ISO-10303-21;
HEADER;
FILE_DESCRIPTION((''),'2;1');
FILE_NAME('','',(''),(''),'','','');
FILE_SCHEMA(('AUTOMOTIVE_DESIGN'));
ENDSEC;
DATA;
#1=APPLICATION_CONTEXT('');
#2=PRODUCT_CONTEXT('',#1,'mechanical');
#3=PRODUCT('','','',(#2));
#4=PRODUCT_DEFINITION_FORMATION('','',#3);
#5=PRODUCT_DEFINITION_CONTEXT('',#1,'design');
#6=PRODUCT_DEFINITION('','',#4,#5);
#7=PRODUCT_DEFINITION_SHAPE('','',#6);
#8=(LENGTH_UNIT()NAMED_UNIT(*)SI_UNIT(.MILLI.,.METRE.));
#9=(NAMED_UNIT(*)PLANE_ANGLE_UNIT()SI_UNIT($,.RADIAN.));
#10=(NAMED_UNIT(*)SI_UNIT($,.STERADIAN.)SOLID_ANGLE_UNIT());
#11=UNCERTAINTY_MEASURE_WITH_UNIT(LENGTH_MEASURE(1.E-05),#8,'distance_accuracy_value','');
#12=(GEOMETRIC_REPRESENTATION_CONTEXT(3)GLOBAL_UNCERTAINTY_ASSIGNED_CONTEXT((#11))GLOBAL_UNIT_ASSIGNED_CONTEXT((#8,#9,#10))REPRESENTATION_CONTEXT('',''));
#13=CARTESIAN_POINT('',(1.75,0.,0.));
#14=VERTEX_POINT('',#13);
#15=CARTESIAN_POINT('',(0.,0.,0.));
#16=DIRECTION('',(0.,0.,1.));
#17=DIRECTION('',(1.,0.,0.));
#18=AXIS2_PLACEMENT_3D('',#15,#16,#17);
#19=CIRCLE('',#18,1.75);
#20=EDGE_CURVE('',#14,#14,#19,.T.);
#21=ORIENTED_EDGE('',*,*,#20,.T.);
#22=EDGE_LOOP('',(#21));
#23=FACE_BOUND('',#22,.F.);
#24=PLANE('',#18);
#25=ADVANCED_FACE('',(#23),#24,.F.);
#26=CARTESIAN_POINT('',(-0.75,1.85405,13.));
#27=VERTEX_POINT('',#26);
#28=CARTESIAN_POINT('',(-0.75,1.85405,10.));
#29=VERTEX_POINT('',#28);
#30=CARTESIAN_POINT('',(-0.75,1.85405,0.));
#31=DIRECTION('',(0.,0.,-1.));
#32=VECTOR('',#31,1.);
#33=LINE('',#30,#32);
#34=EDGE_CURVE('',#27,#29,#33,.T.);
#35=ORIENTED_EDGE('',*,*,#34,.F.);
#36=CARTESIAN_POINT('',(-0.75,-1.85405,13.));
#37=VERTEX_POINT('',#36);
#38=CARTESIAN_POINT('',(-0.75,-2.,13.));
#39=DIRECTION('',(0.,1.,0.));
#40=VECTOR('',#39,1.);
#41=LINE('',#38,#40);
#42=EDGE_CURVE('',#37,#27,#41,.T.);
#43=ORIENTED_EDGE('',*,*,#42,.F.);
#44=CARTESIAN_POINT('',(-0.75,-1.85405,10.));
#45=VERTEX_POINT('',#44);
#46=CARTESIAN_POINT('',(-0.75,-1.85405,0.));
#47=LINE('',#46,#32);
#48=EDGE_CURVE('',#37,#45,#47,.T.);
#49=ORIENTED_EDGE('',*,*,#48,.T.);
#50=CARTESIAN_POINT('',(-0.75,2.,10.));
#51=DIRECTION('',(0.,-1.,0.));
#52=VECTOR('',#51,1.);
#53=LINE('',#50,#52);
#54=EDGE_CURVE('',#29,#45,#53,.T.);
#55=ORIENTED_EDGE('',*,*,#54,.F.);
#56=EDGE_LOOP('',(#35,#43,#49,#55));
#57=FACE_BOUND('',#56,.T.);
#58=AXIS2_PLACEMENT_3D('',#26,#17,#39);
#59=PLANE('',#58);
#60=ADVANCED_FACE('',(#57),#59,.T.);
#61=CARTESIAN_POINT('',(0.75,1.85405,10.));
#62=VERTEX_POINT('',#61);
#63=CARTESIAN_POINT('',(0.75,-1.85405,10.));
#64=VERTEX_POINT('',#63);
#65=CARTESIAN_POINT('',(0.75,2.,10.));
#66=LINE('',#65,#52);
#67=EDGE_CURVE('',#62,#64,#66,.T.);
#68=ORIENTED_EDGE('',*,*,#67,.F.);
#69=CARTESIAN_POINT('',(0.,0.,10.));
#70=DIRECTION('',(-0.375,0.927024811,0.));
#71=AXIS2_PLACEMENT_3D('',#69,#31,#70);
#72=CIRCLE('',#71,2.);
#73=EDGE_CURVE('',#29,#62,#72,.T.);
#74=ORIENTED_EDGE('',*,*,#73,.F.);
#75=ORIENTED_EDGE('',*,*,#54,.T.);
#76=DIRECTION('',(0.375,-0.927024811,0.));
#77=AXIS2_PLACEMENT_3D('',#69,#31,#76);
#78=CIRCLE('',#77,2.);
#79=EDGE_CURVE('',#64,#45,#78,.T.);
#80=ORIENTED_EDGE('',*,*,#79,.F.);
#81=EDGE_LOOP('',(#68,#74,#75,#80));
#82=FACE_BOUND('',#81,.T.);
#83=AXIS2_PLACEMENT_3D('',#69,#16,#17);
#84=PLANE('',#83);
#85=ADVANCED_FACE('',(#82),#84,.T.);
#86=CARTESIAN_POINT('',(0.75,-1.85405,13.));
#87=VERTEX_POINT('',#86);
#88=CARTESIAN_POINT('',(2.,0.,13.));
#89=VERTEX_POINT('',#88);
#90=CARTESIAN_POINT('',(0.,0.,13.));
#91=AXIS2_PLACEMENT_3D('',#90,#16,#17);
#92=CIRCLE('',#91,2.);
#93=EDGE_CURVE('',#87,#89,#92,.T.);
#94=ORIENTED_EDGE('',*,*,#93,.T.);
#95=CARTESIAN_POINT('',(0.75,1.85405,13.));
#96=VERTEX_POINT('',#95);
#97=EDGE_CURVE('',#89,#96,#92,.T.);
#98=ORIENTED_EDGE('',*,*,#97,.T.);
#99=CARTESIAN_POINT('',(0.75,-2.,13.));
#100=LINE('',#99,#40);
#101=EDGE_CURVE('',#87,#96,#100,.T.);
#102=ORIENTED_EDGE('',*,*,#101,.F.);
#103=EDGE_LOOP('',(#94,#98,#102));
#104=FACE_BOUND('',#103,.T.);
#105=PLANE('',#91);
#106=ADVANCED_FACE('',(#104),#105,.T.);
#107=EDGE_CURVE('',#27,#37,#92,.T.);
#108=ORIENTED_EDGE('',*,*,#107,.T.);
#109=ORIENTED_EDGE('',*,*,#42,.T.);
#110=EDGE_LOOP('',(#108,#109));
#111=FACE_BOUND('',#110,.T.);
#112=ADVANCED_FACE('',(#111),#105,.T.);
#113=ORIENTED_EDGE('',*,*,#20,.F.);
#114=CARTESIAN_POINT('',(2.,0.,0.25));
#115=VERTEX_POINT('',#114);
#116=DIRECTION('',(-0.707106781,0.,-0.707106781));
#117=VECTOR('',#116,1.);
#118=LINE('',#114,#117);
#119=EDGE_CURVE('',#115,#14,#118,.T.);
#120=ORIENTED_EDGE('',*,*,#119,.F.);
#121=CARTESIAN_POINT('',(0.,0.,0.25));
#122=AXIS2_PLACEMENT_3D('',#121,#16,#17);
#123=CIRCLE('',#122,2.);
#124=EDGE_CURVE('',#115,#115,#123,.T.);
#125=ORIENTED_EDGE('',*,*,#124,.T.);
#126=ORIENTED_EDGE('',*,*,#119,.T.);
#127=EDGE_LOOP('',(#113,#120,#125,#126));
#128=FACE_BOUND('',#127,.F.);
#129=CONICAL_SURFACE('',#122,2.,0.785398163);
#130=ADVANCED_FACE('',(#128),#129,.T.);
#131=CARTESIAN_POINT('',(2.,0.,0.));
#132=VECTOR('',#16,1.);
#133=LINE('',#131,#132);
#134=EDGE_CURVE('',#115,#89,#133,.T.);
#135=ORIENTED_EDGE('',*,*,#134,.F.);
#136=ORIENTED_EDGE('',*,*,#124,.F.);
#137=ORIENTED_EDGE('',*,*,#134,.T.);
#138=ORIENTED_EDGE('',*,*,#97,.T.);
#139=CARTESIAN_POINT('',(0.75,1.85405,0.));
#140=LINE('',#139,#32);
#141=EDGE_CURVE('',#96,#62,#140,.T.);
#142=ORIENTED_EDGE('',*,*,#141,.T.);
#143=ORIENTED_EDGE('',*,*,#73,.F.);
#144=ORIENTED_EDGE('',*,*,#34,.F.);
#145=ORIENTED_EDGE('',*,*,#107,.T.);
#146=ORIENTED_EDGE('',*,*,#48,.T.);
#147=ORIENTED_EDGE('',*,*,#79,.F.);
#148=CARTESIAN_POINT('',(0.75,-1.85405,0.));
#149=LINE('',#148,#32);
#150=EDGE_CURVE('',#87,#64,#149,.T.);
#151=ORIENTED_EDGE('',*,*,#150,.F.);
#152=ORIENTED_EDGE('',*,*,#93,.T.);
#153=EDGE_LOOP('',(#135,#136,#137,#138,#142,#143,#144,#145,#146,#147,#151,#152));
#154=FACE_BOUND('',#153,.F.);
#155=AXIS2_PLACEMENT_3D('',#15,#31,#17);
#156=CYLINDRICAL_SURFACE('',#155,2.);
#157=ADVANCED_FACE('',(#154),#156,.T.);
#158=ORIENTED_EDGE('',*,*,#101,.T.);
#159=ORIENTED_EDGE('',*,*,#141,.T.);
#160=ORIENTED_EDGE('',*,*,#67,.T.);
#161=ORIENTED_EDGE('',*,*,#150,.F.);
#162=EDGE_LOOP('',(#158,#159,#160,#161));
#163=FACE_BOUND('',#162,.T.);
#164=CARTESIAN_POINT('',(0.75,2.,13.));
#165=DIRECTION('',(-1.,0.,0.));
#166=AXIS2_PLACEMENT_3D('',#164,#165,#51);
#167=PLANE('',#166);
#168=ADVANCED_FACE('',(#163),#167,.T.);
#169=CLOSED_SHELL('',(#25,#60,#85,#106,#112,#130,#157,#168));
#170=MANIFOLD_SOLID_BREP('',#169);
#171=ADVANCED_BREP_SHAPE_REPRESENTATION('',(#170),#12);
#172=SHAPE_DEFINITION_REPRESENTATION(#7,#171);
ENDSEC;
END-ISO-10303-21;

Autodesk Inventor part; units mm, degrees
ref_plane "YZ Plane" through (0, 0, 0) normal (1, 0, 0) x (0, 1, 0)
ref_plane "XZ Plane" through (0, 0, 0) normal (0, 1, 0) x (-1, 0, 0)
ref_plane "XY Plane" through (0, 0, 0) normal (0, 0, 1) x (1, 0, 0)
sketch "草图1" plane through (0, 0, 0) normal (0, 0, 1) x (1, 0, 0)
  circle A0 centre (0, 0) radius 2
  dimension "d0" = 4
extrude "拉伸1" add sketch "草图1" along normal blind 13
sketch "草图2" plane through (0, 0, 13) normal (0, 0, 1) x (1, 0, 0)
  line L0 (-0.75, 2) -> (0.75, 2)
  line L1 (0.75, 2) -> (0.75, -2)
  line L2 (0.75, -2) -> (-0.75, -2)
  line L3 (-0.75, -2) -> (-0.75, 2)
  line L4 (0, 0) -> (0, 2)
  circle A0 centre (0, 0) radius 2 projected
  dimension "d3" = 1.5
extrude "拉伸2" cut sketch "草图2" against normal blind 3 contours L0 A0 L3 | L0 L1 A0 | A0 L1 L3 | A0 L2 L3 | L1 L2 A0
thread "螺纹1" size "M4x0.7" class "6g" standard "ANSI Metric M Profile" full length
chamfer "倒角1" distance 0.25 angle 45 1 edges at (-2, 0, 0)
properties part number "砂轮电机皮带轮固定螺丝"
